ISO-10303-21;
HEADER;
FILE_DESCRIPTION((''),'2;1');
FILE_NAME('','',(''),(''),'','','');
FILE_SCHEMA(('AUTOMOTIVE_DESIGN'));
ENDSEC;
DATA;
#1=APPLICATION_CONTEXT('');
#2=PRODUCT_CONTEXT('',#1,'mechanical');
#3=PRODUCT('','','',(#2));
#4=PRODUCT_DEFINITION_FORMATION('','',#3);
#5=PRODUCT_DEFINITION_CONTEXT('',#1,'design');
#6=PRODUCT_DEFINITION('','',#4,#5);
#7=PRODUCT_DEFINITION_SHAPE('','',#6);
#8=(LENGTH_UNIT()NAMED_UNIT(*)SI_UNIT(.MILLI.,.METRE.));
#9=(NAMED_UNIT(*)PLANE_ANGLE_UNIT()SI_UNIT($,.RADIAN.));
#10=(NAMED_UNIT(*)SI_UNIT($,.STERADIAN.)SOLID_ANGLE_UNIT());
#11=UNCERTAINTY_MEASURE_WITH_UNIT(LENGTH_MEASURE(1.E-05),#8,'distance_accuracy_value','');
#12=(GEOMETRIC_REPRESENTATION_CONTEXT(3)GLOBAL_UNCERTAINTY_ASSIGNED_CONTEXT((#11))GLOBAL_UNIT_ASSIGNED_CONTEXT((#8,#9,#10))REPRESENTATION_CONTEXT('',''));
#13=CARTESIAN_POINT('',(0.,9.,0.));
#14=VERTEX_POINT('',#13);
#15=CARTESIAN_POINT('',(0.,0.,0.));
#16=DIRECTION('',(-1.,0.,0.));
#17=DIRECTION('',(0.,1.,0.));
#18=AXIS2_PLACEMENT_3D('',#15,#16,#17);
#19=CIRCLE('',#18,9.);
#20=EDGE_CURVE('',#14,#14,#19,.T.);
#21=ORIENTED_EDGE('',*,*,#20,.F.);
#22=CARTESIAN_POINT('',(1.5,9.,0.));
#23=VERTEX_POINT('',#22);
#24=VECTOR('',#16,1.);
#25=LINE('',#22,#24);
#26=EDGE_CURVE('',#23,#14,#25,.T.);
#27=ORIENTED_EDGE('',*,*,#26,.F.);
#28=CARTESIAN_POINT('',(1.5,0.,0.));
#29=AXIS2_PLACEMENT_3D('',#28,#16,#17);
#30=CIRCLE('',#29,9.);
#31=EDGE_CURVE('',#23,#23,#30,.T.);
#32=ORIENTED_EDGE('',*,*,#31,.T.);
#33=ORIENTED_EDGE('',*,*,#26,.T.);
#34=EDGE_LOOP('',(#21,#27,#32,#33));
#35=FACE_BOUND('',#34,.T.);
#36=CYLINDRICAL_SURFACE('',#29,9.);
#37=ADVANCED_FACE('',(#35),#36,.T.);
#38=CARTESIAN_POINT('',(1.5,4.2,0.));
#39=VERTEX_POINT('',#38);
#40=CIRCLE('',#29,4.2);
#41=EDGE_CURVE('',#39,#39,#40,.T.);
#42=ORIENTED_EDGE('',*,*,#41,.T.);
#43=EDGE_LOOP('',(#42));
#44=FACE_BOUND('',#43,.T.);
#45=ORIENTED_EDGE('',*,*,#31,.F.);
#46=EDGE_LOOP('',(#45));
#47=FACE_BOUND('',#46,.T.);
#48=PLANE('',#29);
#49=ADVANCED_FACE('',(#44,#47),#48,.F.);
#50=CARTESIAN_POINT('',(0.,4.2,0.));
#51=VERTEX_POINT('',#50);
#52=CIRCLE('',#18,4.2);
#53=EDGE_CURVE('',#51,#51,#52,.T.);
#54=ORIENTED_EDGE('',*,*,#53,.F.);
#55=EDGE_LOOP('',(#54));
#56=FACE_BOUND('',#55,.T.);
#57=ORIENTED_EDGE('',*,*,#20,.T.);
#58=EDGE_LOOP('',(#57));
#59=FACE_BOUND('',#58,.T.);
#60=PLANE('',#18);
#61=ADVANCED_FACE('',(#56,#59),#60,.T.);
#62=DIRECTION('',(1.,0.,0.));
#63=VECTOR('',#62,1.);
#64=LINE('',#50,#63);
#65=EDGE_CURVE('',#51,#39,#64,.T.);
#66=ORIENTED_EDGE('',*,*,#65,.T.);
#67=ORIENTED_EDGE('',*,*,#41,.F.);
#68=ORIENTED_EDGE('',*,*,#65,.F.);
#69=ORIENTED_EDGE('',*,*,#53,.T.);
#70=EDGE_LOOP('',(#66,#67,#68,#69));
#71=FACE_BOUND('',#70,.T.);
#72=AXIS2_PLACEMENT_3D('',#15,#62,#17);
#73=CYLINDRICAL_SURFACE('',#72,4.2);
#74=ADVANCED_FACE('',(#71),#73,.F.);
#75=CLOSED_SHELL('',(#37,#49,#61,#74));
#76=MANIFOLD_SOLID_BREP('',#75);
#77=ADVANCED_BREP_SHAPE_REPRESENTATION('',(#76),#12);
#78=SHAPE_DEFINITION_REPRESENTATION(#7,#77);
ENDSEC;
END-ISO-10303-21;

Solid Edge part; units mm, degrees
sketch "Sketch1" plane through (0, 0, 0) normal (0, 0, 1) x (1, 0, 0)
  line L0 (0, 4.2) -> (1.5, 4.2)
  line L1 (1.5, 4.2) -> (1.5, 9)
  line L2 (1.5, 9) -> (0, 9)
  line L3 (0, 9) -> (0, 4.2)
revolve "RevolvedProtrusion1" add sketch "Sketch1" angle 360 about axis through (4.5, 0, 0) along (-1, 0, 0)
properties part number "emile_maurin_70501M8"
